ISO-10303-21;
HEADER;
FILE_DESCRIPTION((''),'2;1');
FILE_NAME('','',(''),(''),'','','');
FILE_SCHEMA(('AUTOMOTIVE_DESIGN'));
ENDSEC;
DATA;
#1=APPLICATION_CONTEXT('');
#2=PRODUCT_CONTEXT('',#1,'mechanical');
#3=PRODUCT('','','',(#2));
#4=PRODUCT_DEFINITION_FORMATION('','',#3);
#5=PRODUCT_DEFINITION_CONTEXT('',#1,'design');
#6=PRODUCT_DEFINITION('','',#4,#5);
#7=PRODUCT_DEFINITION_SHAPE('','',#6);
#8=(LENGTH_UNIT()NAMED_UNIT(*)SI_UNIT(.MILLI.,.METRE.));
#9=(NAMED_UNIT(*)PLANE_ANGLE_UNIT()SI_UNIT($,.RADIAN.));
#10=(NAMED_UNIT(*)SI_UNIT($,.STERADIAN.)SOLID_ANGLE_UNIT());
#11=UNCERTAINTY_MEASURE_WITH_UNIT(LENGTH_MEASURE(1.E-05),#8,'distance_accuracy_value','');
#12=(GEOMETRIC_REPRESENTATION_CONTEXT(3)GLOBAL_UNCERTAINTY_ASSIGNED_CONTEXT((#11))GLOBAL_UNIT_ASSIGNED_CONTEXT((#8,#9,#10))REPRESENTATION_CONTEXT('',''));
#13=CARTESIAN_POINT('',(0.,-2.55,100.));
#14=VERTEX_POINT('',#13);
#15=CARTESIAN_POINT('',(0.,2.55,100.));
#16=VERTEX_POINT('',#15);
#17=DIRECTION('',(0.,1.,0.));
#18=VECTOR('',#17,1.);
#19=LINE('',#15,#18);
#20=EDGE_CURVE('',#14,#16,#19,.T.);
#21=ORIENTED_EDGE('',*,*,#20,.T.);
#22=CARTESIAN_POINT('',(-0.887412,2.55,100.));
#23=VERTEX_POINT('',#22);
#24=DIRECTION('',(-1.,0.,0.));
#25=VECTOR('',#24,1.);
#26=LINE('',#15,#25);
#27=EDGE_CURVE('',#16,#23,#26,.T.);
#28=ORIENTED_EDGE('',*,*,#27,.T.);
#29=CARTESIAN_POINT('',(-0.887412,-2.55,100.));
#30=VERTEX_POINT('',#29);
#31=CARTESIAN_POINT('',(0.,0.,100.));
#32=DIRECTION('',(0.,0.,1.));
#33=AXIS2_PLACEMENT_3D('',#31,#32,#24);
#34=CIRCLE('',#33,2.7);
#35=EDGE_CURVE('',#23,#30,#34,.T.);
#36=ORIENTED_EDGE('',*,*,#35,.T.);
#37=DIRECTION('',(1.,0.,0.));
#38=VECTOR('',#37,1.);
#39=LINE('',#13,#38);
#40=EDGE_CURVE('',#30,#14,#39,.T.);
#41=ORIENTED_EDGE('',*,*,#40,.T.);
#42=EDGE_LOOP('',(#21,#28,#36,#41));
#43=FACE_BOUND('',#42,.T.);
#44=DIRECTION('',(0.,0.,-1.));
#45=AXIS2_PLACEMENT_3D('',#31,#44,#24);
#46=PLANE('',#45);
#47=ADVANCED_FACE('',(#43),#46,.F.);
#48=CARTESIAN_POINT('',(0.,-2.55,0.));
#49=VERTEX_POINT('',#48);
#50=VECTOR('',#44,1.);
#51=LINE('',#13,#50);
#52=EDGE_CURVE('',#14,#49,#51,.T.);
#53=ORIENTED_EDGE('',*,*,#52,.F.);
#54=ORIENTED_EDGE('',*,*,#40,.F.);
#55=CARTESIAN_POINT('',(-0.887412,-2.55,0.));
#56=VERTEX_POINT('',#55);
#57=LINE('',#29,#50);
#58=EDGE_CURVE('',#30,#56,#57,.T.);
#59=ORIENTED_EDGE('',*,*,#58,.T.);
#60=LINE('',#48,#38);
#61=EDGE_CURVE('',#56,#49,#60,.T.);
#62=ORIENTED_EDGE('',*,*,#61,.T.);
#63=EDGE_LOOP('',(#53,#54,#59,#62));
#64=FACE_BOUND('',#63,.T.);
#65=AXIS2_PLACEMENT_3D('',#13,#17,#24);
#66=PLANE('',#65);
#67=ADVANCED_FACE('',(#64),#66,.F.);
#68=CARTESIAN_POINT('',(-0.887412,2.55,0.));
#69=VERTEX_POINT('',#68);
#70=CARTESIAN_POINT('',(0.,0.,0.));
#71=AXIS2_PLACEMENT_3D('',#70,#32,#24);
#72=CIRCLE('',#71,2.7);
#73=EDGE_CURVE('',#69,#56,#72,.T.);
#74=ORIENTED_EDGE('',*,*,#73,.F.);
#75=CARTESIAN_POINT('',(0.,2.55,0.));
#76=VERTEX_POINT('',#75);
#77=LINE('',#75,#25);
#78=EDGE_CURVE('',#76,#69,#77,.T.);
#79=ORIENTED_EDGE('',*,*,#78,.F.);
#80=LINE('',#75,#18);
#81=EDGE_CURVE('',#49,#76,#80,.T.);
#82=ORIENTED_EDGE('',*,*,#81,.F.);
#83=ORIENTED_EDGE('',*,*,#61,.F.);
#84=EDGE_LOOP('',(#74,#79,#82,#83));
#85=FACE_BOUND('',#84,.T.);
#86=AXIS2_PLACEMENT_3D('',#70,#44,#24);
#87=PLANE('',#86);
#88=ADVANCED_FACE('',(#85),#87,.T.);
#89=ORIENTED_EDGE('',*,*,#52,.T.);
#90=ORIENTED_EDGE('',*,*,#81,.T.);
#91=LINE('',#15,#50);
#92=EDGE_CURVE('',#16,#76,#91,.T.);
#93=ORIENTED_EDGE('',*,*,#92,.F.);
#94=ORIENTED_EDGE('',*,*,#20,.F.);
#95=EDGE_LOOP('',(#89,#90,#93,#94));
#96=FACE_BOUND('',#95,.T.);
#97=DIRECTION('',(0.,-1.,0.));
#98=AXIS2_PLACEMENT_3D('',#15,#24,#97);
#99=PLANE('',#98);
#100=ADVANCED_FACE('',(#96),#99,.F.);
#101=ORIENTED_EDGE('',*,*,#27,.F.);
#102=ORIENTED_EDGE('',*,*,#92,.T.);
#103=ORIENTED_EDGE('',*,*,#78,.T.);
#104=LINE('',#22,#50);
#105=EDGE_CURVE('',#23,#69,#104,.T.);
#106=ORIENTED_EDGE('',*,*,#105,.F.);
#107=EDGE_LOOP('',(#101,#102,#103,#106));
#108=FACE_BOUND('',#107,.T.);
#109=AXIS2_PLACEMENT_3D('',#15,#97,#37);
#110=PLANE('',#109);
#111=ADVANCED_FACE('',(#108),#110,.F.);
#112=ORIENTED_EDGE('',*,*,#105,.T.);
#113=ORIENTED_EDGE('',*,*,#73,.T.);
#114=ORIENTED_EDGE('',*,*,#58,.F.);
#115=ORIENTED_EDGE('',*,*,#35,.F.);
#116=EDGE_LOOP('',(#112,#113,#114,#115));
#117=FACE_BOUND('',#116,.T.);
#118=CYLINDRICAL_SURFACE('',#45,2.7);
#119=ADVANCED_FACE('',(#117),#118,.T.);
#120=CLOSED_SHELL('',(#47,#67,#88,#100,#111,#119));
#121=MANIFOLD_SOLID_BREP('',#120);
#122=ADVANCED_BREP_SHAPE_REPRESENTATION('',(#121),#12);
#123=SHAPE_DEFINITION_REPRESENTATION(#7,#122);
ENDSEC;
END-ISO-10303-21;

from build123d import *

# Parameters (mm, degrees)
BOSS_EXTRUDE1_DEPTH = 100


with BuildPart() as part:
    # Sketch1 → Boss-Extrude1 (new body)
    with BuildSketch(Plane.XY):
        with BuildLine():
            Line((0, 2.55), (-0.887411967, 2.55))
            ThreePointArc((-0.887411967, 2.55), (-2.7, 0), (-0.887411967, -2.55))
            Line((-0.887411967, -2.55), (0, -2.55))
            Line((0, -2.55), (0, 2.55))
        make_face()
    extrude(amount=BOSS_EXTRUDE1_DEPTH)


solid = part.part
